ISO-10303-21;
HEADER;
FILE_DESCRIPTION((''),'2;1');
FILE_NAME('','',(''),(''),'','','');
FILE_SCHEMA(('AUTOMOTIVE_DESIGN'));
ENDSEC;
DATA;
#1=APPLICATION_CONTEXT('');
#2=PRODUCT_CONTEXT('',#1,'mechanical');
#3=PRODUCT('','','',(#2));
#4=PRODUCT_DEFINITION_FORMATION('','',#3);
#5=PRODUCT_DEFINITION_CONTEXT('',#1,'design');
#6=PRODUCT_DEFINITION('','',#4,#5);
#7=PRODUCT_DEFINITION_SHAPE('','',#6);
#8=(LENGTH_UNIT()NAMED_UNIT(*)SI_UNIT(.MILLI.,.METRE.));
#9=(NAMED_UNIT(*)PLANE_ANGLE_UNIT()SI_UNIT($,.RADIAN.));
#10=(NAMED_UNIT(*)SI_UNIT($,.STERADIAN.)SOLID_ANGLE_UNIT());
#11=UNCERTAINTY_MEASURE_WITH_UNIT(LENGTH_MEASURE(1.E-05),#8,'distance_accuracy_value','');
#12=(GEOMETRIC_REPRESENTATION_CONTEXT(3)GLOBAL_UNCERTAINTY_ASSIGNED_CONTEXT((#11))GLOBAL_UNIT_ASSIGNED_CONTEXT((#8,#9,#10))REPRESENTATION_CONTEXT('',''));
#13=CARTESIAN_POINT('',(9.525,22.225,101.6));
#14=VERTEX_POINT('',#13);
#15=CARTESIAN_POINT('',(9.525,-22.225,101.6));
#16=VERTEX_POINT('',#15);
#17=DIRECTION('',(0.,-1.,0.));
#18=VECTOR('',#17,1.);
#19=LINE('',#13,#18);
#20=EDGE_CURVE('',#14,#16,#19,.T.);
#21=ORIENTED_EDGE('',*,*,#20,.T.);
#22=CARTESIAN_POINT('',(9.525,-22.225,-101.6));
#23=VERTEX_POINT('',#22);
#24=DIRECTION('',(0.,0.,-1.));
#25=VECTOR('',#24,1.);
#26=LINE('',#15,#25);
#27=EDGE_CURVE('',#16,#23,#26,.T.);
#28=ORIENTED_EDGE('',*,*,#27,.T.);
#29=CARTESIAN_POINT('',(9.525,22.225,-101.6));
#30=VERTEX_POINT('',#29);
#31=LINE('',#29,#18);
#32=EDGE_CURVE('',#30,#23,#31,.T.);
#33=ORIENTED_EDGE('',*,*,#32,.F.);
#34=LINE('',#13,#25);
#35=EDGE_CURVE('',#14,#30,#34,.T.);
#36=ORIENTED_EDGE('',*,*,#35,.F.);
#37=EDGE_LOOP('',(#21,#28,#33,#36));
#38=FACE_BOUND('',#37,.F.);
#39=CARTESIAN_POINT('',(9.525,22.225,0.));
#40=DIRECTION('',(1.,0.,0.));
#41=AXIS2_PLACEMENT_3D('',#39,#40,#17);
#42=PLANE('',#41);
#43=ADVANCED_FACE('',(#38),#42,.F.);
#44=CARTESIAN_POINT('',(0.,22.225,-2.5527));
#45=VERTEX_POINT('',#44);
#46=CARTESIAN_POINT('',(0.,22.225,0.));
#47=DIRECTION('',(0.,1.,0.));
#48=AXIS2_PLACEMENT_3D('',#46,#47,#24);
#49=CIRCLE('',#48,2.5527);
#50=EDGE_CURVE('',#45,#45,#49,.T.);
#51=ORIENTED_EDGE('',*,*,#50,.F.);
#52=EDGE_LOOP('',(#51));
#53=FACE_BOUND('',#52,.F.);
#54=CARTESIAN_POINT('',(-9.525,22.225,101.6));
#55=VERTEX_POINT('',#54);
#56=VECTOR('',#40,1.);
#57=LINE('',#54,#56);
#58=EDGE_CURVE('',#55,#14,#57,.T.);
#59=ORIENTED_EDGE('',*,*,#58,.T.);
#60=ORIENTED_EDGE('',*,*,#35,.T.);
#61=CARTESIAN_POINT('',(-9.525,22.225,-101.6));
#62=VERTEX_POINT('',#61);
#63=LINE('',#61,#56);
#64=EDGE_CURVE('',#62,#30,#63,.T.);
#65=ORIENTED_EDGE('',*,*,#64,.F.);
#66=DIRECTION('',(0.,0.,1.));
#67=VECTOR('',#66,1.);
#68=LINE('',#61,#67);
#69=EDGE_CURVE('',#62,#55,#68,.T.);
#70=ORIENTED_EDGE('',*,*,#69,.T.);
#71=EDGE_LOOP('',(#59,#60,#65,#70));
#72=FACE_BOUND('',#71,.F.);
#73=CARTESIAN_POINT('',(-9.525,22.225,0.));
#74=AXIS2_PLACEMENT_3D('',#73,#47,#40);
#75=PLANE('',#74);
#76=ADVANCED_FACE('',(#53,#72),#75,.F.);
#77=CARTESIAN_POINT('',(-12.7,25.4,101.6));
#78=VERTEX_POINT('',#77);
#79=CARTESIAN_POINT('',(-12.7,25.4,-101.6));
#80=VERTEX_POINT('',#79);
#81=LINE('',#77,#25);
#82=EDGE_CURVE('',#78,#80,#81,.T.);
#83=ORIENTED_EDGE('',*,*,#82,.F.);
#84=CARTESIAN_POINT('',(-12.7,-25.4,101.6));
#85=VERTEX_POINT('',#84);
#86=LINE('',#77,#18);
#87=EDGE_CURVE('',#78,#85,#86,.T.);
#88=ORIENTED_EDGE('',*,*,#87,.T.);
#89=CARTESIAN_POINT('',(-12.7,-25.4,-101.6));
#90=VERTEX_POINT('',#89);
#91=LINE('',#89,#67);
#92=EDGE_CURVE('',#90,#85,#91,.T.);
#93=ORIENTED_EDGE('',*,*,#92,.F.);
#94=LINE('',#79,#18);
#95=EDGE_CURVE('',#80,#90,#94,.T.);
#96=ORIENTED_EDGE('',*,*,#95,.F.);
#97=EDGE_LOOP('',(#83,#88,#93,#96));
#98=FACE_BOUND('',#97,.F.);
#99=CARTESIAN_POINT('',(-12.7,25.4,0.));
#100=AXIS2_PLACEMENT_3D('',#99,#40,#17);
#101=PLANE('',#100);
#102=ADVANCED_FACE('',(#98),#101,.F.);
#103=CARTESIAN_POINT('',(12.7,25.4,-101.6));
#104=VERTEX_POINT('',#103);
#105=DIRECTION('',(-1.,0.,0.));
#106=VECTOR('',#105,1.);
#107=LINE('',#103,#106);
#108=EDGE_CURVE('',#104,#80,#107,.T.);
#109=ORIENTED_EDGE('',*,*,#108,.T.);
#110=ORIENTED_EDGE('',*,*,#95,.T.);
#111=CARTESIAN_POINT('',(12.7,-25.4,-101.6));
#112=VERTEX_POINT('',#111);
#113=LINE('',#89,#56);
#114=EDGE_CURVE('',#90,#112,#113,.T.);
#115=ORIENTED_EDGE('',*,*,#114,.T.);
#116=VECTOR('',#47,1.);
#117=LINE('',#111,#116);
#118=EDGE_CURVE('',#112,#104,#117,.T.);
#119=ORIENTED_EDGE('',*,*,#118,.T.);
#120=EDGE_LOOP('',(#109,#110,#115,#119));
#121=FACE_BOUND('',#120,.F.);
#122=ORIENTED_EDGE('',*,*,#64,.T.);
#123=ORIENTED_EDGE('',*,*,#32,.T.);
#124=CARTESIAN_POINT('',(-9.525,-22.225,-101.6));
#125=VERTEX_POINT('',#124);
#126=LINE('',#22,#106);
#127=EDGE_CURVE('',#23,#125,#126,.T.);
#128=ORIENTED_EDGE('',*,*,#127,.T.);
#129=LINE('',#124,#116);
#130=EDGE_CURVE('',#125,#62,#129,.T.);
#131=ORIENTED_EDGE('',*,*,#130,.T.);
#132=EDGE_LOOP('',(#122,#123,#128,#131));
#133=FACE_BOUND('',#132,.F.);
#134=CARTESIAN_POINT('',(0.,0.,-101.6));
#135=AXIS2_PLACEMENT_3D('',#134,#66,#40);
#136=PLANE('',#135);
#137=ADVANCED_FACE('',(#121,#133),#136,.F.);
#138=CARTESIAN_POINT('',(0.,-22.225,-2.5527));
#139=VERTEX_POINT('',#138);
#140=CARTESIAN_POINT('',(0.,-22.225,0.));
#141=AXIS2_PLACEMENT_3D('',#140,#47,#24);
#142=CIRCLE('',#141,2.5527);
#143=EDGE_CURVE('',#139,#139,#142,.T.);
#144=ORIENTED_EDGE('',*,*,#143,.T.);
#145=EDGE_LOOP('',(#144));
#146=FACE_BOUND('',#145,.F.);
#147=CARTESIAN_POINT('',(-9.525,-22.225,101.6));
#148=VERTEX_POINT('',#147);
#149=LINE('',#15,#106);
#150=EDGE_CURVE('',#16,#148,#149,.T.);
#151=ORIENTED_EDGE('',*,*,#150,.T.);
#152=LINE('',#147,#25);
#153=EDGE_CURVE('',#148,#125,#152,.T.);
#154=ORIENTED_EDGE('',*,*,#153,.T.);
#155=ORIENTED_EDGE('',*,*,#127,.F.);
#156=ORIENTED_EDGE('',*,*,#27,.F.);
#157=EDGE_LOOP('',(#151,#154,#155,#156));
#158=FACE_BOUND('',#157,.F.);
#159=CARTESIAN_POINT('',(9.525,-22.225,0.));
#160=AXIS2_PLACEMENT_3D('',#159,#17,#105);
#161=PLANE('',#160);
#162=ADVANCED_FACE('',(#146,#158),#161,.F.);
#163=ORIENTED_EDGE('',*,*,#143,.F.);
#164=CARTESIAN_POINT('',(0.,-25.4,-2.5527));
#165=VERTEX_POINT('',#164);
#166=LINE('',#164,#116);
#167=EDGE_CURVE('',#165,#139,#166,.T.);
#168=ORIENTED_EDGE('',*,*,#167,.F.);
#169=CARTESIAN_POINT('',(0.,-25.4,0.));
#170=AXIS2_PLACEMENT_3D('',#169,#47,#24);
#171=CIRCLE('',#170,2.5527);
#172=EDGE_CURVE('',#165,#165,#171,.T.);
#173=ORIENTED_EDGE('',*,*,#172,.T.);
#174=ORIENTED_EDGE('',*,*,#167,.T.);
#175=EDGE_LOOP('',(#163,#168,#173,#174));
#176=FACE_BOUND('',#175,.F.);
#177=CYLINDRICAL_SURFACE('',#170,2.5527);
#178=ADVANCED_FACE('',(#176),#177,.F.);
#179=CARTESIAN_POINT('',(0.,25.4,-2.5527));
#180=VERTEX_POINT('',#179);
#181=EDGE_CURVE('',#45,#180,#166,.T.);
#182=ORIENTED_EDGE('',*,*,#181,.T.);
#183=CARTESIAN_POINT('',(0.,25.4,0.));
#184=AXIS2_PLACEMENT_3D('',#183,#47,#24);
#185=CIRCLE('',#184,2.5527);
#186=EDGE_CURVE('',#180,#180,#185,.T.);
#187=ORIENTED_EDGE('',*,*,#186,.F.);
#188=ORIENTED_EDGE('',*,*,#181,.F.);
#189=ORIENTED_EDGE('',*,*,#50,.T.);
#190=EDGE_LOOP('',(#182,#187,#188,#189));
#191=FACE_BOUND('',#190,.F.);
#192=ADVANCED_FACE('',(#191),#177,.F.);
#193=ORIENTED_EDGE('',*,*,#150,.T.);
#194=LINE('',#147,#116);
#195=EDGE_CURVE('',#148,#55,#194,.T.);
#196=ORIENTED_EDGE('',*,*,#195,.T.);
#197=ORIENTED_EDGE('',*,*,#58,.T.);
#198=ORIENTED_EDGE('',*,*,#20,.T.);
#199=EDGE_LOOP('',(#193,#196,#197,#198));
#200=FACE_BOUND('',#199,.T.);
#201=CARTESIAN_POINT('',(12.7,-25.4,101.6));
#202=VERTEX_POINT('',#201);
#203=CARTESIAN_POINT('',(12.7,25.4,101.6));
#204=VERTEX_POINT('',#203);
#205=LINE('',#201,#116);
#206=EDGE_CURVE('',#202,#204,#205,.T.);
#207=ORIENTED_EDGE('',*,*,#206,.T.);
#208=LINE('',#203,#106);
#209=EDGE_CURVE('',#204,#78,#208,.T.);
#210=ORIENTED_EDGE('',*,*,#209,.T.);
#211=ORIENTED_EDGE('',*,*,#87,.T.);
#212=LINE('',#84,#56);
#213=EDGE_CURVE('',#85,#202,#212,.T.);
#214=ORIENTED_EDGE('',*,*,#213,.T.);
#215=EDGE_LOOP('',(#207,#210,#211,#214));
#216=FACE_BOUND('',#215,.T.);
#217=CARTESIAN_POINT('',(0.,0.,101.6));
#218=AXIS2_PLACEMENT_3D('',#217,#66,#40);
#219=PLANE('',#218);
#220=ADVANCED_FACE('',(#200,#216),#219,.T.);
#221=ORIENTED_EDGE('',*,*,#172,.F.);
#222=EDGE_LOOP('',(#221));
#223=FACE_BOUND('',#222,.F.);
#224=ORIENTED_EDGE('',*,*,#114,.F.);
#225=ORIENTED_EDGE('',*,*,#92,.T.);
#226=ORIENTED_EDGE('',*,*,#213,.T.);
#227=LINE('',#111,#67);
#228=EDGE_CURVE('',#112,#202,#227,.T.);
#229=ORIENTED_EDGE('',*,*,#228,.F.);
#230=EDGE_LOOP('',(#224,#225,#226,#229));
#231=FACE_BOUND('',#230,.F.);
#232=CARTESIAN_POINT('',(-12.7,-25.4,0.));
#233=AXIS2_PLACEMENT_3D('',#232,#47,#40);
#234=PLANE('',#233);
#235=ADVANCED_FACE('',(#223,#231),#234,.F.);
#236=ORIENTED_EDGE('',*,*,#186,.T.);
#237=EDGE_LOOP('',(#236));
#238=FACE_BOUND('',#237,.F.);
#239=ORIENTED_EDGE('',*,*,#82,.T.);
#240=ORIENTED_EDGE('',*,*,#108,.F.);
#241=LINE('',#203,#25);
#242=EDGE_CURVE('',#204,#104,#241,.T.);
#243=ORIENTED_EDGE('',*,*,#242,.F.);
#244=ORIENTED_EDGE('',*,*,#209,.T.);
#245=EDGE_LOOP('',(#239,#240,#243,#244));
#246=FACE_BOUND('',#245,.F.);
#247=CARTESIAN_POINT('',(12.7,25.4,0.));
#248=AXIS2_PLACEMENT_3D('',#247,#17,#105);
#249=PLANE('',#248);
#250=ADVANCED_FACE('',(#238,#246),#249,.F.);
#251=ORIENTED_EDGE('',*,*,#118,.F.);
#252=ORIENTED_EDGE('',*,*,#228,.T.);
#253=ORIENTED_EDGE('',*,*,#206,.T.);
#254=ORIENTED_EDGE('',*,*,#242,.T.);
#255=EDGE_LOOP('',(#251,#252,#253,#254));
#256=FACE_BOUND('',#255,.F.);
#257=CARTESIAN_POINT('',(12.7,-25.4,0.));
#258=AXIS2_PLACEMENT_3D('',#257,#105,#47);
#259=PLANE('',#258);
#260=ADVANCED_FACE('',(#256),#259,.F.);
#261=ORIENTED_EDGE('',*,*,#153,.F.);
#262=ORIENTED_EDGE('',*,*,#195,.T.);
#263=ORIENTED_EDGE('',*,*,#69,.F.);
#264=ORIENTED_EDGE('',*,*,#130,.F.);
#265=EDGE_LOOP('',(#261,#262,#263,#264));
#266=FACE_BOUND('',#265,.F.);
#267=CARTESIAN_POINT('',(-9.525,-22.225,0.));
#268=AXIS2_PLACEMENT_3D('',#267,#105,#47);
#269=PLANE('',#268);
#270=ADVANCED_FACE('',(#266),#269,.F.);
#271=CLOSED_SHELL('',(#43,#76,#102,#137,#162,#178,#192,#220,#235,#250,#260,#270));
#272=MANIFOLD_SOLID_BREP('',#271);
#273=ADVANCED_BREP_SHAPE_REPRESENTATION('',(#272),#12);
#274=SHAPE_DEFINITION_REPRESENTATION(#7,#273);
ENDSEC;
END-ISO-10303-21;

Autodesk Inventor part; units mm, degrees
ref_plane "YZ Plane" through (0, 0, 0) normal (1, 0, 0) x (0, 1, 0)
ref_plane "XZ Plane" through (0, 0, 0) normal (0, 1, 0) x (-1, 0, 0)
ref_plane "XY Plane" through (0, 0, 0) normal (0, 0, 1) x (1, 0, 0)
sketch "Sketch1" plane through (0, 0, 0) normal (0, 0, 1) x (1, 0, 0)
  line L0 (-12.7, -25.4) -> (12.7, -25.4)
  line L1 (12.7, -25.4) -> (12.7, 25.4)
  line L2 (12.7, 25.4) -> (-12.7, 25.4)
  line L3 (-12.7, 25.4) -> (-12.7, -25.4)
  line L4 (-12.7, -25.4) -> (12.7, 25.4) construction
  line L5 (12.7, -25.4) -> (-12.7, 25.4) construction
  line L6 (-9.525, 22.225) -> (9.525, 22.225)
  line L7 (9.525, 22.225) -> (9.525, -22.225)
  line L8 (9.525, -22.225) -> (-9.525, -22.225)
  line L9 (-9.525, -22.225) -> (-9.525, 22.225)
  point P0 (0, 0)
  dimension "width" = 25.4
  dimension "height" = 50.8
  dimension "thickness" = 3.175
extrude "Extrusion1" add sketch "Sketch1" along normal mid plane 203.2
sketch "Sketch2" plane through (-12.7, -25.4, 101.6) normal (0, -1, 0) x (1, 0, 0)
  point P0 (12.7, -101.6)
  point P1 (12.7, -101.6)
hole "Hole1" at (0, -25.4, 0) direction (0, 1, 0) diameter 5.1054 end through all clearance for "Flat Head Machine Screw (82)" size "#10" standard "Ansi Unified Screw Threads"
properties part number "EL1-003" material "Aluminum 6061"
